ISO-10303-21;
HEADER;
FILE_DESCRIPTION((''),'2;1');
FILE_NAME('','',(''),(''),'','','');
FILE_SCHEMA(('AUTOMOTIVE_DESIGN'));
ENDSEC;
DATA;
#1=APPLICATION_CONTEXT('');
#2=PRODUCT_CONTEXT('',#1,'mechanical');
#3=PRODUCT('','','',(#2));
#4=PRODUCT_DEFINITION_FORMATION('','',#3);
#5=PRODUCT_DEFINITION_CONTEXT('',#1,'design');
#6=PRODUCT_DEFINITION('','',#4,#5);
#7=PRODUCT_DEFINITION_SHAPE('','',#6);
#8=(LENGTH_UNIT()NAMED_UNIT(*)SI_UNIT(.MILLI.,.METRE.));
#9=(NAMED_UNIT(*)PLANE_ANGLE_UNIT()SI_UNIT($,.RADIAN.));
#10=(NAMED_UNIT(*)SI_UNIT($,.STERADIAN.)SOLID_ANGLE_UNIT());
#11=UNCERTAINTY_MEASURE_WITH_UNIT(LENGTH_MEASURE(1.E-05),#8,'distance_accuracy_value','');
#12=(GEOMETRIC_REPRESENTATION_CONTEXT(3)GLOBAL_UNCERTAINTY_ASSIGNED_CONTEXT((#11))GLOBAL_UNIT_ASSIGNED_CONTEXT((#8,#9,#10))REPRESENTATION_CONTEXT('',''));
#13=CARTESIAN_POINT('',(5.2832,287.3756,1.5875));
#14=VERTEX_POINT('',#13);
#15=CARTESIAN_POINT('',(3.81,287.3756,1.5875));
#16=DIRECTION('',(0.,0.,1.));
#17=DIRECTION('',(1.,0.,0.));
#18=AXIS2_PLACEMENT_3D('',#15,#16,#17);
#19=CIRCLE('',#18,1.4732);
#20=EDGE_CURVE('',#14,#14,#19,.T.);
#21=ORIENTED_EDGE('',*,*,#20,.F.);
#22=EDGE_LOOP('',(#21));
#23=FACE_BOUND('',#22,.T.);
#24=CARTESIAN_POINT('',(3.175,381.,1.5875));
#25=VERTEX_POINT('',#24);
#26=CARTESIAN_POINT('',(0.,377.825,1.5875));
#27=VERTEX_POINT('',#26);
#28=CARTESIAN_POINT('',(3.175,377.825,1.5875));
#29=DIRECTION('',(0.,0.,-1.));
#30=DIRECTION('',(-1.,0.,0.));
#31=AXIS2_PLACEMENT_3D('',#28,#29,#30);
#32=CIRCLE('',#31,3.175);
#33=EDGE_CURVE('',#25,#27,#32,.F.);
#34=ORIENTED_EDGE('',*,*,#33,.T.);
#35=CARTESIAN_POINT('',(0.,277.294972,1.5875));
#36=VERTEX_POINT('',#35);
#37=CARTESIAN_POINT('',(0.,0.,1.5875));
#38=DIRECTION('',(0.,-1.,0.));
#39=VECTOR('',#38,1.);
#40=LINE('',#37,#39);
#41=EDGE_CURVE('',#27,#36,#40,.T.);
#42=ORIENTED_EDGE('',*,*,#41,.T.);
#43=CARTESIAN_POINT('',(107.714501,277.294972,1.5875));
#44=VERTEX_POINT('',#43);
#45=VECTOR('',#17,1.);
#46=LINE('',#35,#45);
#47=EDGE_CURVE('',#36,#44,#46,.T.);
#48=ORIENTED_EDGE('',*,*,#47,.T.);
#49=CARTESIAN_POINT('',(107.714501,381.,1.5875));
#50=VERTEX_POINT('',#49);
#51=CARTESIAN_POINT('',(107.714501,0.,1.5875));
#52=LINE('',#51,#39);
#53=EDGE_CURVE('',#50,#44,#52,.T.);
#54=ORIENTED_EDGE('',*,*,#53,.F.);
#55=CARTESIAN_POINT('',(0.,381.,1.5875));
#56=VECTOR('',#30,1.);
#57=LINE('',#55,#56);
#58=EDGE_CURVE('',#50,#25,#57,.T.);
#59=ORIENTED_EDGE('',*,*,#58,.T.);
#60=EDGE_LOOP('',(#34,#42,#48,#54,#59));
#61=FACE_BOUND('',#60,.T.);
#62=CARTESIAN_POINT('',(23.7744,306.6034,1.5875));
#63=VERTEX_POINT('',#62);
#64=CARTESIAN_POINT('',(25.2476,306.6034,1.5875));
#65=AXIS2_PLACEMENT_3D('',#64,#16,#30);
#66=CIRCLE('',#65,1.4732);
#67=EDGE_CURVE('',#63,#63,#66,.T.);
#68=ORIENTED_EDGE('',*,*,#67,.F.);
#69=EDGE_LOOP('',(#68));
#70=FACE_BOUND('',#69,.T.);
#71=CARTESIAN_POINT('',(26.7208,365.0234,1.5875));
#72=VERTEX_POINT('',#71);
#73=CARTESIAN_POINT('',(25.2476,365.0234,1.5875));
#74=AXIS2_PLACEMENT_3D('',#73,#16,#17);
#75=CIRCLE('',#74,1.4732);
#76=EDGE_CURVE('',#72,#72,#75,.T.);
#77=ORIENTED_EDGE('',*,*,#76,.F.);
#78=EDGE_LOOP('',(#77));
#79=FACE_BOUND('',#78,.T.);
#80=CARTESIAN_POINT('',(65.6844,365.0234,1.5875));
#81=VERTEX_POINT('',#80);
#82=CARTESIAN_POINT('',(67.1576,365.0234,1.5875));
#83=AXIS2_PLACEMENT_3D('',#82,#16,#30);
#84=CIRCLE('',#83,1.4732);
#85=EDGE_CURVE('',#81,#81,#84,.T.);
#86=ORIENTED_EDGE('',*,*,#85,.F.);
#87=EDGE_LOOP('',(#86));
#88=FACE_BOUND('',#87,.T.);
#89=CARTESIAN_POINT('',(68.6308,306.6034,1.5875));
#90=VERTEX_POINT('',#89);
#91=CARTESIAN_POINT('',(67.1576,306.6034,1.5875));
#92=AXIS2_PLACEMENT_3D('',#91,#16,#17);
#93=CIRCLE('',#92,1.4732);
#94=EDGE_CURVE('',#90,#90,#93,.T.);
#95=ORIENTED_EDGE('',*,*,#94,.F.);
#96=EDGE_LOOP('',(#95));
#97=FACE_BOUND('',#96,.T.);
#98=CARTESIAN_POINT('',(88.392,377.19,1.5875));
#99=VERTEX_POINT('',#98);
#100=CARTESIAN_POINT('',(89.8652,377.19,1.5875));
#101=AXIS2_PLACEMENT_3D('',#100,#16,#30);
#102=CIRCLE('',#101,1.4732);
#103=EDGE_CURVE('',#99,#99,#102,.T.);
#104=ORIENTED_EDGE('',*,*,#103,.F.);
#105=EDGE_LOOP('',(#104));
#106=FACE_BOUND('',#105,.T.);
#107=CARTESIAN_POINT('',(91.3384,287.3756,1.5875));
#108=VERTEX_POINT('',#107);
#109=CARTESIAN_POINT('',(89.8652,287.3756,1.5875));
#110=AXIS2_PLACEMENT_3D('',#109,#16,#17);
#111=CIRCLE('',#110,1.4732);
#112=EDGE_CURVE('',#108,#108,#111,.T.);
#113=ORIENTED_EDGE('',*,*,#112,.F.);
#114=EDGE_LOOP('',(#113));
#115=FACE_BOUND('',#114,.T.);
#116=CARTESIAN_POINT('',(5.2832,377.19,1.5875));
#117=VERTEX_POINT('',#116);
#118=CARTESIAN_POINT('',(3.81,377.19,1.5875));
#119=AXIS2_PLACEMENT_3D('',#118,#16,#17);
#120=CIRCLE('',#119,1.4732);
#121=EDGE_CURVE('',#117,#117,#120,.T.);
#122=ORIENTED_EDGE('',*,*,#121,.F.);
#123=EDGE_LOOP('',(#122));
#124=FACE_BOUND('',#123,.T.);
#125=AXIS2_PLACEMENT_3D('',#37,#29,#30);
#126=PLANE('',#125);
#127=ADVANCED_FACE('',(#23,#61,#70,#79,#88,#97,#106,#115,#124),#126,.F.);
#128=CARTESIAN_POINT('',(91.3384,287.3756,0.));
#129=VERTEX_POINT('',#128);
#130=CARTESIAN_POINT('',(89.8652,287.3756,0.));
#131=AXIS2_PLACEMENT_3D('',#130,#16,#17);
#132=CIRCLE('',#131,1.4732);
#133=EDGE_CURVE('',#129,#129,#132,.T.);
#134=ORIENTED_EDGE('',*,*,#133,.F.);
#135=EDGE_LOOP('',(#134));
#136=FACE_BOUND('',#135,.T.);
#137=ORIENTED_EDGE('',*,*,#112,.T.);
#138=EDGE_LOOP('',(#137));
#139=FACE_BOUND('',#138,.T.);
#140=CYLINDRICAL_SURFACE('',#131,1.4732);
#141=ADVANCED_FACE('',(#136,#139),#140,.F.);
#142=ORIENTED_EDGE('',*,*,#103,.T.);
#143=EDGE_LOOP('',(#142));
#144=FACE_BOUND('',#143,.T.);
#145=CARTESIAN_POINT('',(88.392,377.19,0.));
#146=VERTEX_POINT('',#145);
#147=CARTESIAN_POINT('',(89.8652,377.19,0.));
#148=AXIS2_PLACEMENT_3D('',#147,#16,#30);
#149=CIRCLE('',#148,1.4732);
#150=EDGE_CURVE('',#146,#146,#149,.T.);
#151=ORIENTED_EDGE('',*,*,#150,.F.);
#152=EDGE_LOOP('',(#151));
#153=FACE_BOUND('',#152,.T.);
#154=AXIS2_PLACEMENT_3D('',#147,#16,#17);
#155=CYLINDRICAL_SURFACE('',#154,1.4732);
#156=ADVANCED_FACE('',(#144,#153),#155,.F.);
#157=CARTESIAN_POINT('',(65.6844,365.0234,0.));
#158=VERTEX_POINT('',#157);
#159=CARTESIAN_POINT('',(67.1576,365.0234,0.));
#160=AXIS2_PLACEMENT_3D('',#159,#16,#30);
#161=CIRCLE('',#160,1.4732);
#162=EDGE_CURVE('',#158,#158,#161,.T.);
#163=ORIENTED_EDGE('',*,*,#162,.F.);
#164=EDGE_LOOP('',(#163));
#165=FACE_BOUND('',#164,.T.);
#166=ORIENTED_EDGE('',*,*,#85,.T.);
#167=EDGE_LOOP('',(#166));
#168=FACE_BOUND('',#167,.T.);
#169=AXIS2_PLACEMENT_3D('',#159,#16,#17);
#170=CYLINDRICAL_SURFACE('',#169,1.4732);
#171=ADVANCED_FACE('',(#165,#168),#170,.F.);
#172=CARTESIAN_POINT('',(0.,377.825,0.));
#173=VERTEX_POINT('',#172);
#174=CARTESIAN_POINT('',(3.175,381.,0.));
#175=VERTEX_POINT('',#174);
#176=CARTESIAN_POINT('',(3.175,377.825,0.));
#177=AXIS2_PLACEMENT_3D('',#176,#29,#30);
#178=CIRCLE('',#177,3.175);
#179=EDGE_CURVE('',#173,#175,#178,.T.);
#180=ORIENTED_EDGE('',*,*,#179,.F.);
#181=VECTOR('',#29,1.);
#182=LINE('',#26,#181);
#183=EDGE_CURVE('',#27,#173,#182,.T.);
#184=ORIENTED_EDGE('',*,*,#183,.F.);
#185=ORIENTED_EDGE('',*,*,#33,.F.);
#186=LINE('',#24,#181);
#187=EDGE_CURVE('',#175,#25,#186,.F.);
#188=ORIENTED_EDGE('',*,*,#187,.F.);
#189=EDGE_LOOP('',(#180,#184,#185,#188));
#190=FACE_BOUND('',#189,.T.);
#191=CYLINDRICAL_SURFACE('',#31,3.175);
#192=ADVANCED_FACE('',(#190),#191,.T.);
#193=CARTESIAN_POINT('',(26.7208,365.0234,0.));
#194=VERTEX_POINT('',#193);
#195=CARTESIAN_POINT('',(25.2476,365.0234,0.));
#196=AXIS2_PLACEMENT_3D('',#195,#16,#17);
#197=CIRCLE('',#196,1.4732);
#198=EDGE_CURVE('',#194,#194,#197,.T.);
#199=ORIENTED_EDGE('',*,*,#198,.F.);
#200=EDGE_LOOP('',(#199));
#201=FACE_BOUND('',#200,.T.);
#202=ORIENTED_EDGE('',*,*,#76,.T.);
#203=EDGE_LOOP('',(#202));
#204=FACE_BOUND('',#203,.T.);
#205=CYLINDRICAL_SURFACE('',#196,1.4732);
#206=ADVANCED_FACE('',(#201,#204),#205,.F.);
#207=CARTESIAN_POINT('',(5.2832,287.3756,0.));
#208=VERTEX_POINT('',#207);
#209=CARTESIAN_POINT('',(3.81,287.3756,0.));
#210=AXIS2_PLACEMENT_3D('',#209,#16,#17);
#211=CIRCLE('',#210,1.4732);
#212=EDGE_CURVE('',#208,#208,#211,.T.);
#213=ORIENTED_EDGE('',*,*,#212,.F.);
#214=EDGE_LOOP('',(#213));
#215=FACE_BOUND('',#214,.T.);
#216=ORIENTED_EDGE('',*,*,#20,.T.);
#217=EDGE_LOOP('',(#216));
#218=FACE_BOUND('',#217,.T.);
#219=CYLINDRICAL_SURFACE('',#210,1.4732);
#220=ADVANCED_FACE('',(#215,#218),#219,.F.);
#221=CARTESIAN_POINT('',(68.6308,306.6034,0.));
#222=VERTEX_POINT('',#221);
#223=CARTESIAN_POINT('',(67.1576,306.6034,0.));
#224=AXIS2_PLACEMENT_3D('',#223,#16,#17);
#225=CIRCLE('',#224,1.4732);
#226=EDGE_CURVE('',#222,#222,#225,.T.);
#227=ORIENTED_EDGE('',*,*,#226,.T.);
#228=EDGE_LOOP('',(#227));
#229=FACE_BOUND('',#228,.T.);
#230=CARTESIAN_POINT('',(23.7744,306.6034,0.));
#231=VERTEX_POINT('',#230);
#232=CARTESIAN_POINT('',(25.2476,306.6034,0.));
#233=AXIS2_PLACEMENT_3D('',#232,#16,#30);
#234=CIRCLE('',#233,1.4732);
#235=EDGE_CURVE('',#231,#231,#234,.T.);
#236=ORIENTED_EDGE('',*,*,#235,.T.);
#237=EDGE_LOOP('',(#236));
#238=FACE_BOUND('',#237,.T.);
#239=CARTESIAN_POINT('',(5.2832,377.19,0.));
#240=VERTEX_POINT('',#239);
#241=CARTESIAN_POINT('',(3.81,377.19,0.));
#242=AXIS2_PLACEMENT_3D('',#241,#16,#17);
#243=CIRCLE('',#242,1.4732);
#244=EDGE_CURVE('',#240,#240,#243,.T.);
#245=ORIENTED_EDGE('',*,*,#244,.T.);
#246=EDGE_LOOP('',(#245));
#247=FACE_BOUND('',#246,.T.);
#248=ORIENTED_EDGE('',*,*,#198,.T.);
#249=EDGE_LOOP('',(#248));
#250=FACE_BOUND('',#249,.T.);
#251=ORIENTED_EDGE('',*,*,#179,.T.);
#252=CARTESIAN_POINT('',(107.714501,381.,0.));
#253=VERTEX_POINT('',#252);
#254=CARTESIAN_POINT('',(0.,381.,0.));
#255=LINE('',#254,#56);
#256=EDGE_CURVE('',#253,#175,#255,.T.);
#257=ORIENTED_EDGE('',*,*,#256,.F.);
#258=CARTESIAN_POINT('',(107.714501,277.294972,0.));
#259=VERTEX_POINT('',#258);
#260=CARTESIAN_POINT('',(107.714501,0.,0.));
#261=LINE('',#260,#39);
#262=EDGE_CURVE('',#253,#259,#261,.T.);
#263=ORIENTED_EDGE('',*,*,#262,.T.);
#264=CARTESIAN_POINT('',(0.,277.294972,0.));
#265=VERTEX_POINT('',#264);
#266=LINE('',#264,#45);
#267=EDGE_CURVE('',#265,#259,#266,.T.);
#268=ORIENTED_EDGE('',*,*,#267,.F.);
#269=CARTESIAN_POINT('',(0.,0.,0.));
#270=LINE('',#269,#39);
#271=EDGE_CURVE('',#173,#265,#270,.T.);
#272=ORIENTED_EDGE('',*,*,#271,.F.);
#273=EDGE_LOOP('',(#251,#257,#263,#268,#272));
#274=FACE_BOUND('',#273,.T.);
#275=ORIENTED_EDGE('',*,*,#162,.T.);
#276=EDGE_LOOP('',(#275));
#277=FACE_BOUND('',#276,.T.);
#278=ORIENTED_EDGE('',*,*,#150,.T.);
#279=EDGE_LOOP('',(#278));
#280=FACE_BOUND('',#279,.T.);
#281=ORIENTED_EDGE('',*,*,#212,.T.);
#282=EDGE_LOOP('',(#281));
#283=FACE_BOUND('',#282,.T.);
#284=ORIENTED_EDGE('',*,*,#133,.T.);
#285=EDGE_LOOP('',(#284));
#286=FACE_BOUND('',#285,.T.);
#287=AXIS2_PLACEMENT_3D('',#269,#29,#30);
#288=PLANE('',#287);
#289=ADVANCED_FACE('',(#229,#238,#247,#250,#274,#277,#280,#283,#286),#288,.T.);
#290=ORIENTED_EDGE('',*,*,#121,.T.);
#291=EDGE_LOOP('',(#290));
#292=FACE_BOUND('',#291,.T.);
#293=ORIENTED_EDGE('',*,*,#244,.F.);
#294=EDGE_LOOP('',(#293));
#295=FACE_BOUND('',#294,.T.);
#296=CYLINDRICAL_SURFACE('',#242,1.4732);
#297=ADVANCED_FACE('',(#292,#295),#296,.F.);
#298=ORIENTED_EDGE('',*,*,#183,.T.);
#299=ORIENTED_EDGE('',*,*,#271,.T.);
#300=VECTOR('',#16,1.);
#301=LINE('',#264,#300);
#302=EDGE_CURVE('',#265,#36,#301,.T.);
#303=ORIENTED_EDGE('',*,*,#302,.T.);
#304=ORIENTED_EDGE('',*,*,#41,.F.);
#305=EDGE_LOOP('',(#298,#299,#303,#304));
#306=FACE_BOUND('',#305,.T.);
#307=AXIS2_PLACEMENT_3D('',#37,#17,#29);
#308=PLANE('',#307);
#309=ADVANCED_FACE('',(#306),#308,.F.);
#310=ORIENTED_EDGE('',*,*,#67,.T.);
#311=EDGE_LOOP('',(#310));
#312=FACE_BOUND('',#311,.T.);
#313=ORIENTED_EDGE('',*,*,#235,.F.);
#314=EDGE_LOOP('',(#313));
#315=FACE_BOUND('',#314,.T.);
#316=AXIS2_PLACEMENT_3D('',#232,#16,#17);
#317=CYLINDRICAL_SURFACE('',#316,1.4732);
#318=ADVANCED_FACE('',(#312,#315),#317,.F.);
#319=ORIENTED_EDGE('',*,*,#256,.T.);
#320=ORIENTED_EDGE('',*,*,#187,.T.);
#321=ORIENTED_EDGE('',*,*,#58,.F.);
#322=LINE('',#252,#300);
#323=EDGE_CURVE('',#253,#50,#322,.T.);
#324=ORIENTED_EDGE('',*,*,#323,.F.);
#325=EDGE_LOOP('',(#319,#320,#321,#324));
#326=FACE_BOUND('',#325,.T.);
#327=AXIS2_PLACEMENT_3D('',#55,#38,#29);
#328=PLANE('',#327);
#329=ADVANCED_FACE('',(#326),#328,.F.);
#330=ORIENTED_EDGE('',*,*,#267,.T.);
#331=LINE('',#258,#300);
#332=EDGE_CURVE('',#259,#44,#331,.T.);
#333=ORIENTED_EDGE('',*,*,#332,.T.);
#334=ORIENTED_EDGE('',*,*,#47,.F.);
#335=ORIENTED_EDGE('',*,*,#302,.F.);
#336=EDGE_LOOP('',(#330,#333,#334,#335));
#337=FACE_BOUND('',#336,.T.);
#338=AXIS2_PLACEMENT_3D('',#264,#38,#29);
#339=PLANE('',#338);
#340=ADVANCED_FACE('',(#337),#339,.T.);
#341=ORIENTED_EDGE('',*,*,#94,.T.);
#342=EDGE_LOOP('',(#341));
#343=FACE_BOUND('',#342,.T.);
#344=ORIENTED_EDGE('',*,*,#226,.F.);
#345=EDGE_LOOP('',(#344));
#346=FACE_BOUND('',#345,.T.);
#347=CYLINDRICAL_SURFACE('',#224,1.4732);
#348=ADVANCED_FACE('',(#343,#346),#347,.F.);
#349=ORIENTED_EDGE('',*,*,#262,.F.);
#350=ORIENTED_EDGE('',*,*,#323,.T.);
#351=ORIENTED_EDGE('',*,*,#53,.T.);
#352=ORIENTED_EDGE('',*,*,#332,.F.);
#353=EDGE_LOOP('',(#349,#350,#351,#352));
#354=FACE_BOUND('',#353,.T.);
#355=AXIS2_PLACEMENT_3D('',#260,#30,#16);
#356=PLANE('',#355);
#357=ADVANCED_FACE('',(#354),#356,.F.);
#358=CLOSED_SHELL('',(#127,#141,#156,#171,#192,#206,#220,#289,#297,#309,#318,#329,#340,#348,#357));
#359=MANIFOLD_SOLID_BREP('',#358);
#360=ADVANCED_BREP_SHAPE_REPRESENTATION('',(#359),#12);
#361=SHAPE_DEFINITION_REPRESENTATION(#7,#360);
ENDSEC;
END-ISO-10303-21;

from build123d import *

# Parameters (mm, degrees)
SKETCH1_W            = 254
SKETCH1_H            = 381
BOSS_EXTRUDE1_DEPTH  = 1.5875
SKETCH2_R            = 1.4732
CUT_EXTRUDE1_DEPTH   = 458.907763809
FILLET1_R            = 3.175
SKETCH5_R            = 1.4732
CUT_EXTRUDE3_DEPTH   = 458.907763809
LPATTERN1_COUNT      = 4
LPATTERN1_PITCH      = 96.8756
LPATTERN1_COUNT_DIR2 = 2
LPATTERN1_PITCH_DIR2 = 161.5948
CUT_EXTRUDE4_DEPTH   = 458.907763809


with BuildPart() as part:
    # Sketch1 → Boss-Extrude1 (new body)
    with BuildSketch(Plane.XY):
        with Locations((127, 190.5)):
            Rectangle(SKETCH1_W, SKETCH1_H)
    extrude(amount=BOSS_EXTRUDE1_DEPTH)

    # Sketch2 → Cut-Extrude1 (cut, through all)
    with BuildSketch(Plane.XY.offset(1.5875)):
        with Locations((3.81, 377.19)):
            Circle(SKETCH2_R)
        with Locations(Location((89.8652, 377.19, 0), (0, 0, 180))):
            Circle(SKETCH2_R)
        with Locations(Location((164.1348, 377.19, 0), (0, 0, 180))):
            Circle(SKETCH2_R)
        with Locations((250.19, 377.19)):
            Circle(SKETCH2_R)
        with Locations(Location((164.1348, 287.375451288, 0), (0, 0, 180))):
            Circle(SKETCH2_R)
        with Locations((3.81, 287.3756)):
            Circle(SKETCH2_R)
        with Locations((250.19, 287.3756)):
            Circle(SKETCH2_R)
        with Locations((89.8652, 287.3756)):
            Circle(SKETCH2_R)
        with Locations(Location((164.1348, 190.499990436, 0), (0, 0, 180))):
            Circle(SKETCH2_R)
        with Locations((3.81, 191.135)):
            Circle(SKETCH2_R)
        with Locations((250.19, 190.5)):
            Circle(SKETCH2_R)
        with Locations((89.8652, 190.5)):
            Circle(SKETCH2_R)
        with Locations(Location((164.1348, 93.6244, 0), (0, 0, 180))):
            Circle(SKETCH2_R)
        with Locations((3.81, 93.6244)):
            Circle(SKETCH2_R)
        with Locations((250.19, 93.6244)):
            Circle(SKETCH2_R)
        with Locations((89.8652, 93.6244)):
            Circle(SKETCH2_R)
        with Locations(Location((164.1348, 3.81, 0), (0, 0, 180))):
            Circle(SKETCH2_R)
        with Locations((3.81, 3.81)):
            Circle(SKETCH2_R)
        with Locations((250.19, 3.81)):
            Circle(SKETCH2_R)
        with Locations((89.8652, 3.81)):
            Circle(SKETCH2_R)
    extrude(amount=-CUT_EXTRUDE1_DEPTH, mode=Mode.SUBTRACT)

    # Fillet1
    fillet1_edges = [part.edges().sort_by_distance(p)[0] for p in [
        (0, 381, 0.79375),
        (254, 381, 0.79375),
        (254, 0, 0.79375),
        (0, 0, 0.79375),
    ]]
    fillet(fillet1_edges, radius=FILLET1_R)

    # Sketch5 → Cut-Extrude3 (cut, through all)
    with BuildSketch(Plane.XY.offset(1.5875)):
        with Locations((25.2476, 74.3966)):
            Circle(SKETCH5_R)
        with Locations(Location((67.1576, 74.3966, 0), (0, 0, 180))):
            Circle(SKETCH5_R)
        with Locations((67.1576, 15.9766)):
            Circle(SKETCH5_R)
        with Locations(Location((25.2476, 15.9766, 0), (0, 0, 180))):
            Circle(SKETCH5_R)
    cut_extrude3 = extrude(amount=-CUT_EXTRUDE3_DEPTH, mode=Mode.SUBTRACT)

    # LPattern1: Cut-Extrude3 4 × 2
    with Locations(*[(j * LPATTERN1_PITCH_DIR2, i * LPATTERN1_PITCH, 0) for i in range(LPATTERN1_COUNT) for j in range(LPATTERN1_COUNT_DIR2) if (i, j) != (0, 0)]):
        add(cut_extrude3, mode=Mode.SUBTRACT)

    # Sketch6 → Cut-Extrude4 (cut, through all)
    with BuildSketch(Plane.XY.offset(1.5875)):
        Polygon((295.552123895, 381), (107.714500619, 381), (107.714500619, 277.29497196), (0, 277.29497196), (0, -37.89474057), (295.552123895, -37.89474057), align=None)
    extrude(amount=-CUT_EXTRUDE4_DEPTH, mode=Mode.SUBTRACT)


solid = part.part
